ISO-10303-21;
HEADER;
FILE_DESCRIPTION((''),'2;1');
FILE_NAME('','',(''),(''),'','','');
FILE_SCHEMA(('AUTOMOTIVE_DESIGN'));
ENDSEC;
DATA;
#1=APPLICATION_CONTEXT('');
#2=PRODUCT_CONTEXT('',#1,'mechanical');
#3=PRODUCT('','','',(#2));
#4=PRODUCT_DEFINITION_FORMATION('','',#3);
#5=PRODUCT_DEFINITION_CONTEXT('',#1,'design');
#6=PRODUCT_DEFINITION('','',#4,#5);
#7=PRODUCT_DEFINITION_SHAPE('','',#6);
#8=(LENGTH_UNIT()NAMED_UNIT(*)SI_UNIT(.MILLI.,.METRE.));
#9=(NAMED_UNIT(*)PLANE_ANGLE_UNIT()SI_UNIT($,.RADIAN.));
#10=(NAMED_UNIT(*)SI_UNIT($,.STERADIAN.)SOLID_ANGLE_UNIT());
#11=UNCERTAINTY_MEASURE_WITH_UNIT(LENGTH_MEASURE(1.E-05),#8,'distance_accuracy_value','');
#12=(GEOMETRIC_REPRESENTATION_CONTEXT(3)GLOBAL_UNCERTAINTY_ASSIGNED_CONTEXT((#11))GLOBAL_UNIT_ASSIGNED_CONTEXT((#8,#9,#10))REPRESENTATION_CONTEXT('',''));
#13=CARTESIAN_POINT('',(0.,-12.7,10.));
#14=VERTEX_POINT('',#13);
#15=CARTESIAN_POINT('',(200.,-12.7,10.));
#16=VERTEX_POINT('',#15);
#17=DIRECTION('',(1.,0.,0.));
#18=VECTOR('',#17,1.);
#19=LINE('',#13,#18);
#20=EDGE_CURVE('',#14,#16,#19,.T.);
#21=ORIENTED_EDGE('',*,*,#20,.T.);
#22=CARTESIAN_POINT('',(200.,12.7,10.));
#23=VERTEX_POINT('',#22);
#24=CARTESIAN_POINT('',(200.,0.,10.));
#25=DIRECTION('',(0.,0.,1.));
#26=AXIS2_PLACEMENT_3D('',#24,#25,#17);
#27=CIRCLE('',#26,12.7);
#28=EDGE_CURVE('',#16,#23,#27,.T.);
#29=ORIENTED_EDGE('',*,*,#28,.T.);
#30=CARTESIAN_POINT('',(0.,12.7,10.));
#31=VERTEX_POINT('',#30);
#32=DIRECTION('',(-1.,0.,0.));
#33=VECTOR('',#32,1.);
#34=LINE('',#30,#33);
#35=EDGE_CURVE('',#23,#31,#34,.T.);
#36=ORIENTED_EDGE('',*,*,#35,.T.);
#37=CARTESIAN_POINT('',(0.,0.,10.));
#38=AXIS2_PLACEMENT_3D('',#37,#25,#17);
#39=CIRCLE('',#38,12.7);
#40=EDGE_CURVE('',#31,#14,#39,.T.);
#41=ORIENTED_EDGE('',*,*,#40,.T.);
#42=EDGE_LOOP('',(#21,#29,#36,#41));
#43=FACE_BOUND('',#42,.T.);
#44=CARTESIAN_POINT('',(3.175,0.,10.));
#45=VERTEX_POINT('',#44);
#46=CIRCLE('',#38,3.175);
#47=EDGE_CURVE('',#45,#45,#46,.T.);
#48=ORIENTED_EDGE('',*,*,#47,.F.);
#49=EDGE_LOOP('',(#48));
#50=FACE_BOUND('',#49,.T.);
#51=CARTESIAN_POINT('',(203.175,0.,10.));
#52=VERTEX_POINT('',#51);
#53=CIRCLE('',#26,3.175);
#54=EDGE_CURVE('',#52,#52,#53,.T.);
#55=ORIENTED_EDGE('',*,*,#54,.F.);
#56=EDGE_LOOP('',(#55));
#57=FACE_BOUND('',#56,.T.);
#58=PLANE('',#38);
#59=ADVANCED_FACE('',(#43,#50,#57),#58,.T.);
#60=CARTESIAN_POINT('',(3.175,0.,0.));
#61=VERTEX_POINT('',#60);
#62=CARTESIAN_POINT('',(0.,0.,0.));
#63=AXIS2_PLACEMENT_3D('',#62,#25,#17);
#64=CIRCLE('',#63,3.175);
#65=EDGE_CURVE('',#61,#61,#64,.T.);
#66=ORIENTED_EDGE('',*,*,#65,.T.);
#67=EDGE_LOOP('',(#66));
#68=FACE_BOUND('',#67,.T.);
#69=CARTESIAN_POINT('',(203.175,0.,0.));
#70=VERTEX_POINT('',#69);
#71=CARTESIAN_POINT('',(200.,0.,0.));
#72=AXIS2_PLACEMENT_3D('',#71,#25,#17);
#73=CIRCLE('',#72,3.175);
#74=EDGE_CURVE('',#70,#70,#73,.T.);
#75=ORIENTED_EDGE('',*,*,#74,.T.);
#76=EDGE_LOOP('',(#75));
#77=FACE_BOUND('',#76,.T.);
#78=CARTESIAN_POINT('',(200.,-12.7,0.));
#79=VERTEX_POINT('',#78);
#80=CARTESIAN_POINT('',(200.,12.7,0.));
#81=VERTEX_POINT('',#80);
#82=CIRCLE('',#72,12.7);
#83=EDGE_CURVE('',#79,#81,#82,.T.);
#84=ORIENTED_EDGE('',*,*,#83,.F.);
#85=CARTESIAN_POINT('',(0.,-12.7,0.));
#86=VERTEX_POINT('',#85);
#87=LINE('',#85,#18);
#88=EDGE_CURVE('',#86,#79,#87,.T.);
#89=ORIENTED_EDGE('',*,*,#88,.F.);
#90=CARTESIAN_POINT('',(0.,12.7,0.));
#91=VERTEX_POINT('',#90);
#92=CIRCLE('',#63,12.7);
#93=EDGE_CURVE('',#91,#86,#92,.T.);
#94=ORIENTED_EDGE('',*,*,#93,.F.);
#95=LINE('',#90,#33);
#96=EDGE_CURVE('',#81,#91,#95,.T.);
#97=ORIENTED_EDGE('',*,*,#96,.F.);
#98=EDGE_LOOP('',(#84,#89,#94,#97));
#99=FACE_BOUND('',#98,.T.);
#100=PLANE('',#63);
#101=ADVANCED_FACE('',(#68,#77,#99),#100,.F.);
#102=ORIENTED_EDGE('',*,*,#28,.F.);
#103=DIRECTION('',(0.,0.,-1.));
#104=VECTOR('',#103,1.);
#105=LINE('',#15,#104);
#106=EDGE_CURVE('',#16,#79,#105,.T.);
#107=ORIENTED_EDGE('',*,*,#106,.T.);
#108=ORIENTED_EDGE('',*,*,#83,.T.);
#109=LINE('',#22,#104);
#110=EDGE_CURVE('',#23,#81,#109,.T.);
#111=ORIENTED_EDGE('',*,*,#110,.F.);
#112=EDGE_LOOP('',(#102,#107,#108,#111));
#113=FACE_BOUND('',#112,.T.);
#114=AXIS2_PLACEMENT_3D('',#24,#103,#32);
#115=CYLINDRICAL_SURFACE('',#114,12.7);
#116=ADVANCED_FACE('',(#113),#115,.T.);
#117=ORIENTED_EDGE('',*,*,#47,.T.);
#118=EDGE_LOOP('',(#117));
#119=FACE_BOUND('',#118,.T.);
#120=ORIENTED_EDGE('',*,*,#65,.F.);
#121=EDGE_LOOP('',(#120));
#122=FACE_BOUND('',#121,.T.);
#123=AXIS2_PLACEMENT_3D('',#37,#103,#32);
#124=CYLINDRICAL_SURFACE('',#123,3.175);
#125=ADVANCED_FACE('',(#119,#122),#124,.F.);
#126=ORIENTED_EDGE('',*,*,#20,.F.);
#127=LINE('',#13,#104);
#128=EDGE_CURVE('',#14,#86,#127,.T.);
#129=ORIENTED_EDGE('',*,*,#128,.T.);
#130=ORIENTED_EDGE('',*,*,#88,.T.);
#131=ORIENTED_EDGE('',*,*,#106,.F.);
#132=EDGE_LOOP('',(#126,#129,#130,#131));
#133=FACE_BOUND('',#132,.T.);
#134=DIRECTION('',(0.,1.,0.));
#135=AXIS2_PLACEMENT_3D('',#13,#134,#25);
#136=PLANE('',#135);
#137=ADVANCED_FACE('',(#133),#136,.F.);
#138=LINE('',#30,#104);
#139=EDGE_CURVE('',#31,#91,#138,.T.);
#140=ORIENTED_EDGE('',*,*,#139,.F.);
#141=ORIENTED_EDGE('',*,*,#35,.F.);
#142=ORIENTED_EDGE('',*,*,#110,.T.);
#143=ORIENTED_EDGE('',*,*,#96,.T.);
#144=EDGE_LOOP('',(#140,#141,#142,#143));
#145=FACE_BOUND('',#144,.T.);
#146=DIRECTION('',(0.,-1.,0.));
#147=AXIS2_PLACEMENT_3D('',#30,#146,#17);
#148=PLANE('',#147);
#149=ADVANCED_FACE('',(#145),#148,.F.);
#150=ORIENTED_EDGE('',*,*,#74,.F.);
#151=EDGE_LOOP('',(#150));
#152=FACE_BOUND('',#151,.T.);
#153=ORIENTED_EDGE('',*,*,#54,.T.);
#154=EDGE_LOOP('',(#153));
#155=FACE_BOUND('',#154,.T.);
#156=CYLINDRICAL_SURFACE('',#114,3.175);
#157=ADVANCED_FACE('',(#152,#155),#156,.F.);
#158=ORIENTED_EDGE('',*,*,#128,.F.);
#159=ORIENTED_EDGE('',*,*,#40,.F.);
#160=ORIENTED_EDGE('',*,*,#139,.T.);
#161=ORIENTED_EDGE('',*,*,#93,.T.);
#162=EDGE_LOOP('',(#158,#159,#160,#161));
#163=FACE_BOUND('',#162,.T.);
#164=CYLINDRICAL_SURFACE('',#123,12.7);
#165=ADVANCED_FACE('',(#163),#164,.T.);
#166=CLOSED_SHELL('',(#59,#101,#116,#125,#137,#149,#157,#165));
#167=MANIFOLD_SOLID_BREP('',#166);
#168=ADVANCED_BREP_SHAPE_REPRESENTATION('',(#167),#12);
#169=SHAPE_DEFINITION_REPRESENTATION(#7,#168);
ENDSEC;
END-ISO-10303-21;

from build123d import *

# Parameters (mm, degrees)
SKETCH1_R           = 3.175
BOSS_EXTRUDE1_DEPTH = 10


with BuildPart() as part:
    # Sketch1 → Boss-Extrude1 (new body)
    with BuildSketch(Plane.XY):
        with BuildLine():
            Line((0, 12.7), (200, 12.7))
            ThreePointArc((200, 12.7), (212.7, 0), (200, -12.7))
            Line((200, -12.7), (0, -12.7))
            ThreePointArc((0, -12.7), (-12.7, 0), (0, 12.7))
        make_face()
        Circle(SKETCH1_R, mode=Mode.SUBTRACT)
        with Locations((200, 0)):
            Circle(SKETCH1_R, mode=Mode.SUBTRACT)
    extrude(amount=BOSS_EXTRUDE1_DEPTH)


solid = part.part
